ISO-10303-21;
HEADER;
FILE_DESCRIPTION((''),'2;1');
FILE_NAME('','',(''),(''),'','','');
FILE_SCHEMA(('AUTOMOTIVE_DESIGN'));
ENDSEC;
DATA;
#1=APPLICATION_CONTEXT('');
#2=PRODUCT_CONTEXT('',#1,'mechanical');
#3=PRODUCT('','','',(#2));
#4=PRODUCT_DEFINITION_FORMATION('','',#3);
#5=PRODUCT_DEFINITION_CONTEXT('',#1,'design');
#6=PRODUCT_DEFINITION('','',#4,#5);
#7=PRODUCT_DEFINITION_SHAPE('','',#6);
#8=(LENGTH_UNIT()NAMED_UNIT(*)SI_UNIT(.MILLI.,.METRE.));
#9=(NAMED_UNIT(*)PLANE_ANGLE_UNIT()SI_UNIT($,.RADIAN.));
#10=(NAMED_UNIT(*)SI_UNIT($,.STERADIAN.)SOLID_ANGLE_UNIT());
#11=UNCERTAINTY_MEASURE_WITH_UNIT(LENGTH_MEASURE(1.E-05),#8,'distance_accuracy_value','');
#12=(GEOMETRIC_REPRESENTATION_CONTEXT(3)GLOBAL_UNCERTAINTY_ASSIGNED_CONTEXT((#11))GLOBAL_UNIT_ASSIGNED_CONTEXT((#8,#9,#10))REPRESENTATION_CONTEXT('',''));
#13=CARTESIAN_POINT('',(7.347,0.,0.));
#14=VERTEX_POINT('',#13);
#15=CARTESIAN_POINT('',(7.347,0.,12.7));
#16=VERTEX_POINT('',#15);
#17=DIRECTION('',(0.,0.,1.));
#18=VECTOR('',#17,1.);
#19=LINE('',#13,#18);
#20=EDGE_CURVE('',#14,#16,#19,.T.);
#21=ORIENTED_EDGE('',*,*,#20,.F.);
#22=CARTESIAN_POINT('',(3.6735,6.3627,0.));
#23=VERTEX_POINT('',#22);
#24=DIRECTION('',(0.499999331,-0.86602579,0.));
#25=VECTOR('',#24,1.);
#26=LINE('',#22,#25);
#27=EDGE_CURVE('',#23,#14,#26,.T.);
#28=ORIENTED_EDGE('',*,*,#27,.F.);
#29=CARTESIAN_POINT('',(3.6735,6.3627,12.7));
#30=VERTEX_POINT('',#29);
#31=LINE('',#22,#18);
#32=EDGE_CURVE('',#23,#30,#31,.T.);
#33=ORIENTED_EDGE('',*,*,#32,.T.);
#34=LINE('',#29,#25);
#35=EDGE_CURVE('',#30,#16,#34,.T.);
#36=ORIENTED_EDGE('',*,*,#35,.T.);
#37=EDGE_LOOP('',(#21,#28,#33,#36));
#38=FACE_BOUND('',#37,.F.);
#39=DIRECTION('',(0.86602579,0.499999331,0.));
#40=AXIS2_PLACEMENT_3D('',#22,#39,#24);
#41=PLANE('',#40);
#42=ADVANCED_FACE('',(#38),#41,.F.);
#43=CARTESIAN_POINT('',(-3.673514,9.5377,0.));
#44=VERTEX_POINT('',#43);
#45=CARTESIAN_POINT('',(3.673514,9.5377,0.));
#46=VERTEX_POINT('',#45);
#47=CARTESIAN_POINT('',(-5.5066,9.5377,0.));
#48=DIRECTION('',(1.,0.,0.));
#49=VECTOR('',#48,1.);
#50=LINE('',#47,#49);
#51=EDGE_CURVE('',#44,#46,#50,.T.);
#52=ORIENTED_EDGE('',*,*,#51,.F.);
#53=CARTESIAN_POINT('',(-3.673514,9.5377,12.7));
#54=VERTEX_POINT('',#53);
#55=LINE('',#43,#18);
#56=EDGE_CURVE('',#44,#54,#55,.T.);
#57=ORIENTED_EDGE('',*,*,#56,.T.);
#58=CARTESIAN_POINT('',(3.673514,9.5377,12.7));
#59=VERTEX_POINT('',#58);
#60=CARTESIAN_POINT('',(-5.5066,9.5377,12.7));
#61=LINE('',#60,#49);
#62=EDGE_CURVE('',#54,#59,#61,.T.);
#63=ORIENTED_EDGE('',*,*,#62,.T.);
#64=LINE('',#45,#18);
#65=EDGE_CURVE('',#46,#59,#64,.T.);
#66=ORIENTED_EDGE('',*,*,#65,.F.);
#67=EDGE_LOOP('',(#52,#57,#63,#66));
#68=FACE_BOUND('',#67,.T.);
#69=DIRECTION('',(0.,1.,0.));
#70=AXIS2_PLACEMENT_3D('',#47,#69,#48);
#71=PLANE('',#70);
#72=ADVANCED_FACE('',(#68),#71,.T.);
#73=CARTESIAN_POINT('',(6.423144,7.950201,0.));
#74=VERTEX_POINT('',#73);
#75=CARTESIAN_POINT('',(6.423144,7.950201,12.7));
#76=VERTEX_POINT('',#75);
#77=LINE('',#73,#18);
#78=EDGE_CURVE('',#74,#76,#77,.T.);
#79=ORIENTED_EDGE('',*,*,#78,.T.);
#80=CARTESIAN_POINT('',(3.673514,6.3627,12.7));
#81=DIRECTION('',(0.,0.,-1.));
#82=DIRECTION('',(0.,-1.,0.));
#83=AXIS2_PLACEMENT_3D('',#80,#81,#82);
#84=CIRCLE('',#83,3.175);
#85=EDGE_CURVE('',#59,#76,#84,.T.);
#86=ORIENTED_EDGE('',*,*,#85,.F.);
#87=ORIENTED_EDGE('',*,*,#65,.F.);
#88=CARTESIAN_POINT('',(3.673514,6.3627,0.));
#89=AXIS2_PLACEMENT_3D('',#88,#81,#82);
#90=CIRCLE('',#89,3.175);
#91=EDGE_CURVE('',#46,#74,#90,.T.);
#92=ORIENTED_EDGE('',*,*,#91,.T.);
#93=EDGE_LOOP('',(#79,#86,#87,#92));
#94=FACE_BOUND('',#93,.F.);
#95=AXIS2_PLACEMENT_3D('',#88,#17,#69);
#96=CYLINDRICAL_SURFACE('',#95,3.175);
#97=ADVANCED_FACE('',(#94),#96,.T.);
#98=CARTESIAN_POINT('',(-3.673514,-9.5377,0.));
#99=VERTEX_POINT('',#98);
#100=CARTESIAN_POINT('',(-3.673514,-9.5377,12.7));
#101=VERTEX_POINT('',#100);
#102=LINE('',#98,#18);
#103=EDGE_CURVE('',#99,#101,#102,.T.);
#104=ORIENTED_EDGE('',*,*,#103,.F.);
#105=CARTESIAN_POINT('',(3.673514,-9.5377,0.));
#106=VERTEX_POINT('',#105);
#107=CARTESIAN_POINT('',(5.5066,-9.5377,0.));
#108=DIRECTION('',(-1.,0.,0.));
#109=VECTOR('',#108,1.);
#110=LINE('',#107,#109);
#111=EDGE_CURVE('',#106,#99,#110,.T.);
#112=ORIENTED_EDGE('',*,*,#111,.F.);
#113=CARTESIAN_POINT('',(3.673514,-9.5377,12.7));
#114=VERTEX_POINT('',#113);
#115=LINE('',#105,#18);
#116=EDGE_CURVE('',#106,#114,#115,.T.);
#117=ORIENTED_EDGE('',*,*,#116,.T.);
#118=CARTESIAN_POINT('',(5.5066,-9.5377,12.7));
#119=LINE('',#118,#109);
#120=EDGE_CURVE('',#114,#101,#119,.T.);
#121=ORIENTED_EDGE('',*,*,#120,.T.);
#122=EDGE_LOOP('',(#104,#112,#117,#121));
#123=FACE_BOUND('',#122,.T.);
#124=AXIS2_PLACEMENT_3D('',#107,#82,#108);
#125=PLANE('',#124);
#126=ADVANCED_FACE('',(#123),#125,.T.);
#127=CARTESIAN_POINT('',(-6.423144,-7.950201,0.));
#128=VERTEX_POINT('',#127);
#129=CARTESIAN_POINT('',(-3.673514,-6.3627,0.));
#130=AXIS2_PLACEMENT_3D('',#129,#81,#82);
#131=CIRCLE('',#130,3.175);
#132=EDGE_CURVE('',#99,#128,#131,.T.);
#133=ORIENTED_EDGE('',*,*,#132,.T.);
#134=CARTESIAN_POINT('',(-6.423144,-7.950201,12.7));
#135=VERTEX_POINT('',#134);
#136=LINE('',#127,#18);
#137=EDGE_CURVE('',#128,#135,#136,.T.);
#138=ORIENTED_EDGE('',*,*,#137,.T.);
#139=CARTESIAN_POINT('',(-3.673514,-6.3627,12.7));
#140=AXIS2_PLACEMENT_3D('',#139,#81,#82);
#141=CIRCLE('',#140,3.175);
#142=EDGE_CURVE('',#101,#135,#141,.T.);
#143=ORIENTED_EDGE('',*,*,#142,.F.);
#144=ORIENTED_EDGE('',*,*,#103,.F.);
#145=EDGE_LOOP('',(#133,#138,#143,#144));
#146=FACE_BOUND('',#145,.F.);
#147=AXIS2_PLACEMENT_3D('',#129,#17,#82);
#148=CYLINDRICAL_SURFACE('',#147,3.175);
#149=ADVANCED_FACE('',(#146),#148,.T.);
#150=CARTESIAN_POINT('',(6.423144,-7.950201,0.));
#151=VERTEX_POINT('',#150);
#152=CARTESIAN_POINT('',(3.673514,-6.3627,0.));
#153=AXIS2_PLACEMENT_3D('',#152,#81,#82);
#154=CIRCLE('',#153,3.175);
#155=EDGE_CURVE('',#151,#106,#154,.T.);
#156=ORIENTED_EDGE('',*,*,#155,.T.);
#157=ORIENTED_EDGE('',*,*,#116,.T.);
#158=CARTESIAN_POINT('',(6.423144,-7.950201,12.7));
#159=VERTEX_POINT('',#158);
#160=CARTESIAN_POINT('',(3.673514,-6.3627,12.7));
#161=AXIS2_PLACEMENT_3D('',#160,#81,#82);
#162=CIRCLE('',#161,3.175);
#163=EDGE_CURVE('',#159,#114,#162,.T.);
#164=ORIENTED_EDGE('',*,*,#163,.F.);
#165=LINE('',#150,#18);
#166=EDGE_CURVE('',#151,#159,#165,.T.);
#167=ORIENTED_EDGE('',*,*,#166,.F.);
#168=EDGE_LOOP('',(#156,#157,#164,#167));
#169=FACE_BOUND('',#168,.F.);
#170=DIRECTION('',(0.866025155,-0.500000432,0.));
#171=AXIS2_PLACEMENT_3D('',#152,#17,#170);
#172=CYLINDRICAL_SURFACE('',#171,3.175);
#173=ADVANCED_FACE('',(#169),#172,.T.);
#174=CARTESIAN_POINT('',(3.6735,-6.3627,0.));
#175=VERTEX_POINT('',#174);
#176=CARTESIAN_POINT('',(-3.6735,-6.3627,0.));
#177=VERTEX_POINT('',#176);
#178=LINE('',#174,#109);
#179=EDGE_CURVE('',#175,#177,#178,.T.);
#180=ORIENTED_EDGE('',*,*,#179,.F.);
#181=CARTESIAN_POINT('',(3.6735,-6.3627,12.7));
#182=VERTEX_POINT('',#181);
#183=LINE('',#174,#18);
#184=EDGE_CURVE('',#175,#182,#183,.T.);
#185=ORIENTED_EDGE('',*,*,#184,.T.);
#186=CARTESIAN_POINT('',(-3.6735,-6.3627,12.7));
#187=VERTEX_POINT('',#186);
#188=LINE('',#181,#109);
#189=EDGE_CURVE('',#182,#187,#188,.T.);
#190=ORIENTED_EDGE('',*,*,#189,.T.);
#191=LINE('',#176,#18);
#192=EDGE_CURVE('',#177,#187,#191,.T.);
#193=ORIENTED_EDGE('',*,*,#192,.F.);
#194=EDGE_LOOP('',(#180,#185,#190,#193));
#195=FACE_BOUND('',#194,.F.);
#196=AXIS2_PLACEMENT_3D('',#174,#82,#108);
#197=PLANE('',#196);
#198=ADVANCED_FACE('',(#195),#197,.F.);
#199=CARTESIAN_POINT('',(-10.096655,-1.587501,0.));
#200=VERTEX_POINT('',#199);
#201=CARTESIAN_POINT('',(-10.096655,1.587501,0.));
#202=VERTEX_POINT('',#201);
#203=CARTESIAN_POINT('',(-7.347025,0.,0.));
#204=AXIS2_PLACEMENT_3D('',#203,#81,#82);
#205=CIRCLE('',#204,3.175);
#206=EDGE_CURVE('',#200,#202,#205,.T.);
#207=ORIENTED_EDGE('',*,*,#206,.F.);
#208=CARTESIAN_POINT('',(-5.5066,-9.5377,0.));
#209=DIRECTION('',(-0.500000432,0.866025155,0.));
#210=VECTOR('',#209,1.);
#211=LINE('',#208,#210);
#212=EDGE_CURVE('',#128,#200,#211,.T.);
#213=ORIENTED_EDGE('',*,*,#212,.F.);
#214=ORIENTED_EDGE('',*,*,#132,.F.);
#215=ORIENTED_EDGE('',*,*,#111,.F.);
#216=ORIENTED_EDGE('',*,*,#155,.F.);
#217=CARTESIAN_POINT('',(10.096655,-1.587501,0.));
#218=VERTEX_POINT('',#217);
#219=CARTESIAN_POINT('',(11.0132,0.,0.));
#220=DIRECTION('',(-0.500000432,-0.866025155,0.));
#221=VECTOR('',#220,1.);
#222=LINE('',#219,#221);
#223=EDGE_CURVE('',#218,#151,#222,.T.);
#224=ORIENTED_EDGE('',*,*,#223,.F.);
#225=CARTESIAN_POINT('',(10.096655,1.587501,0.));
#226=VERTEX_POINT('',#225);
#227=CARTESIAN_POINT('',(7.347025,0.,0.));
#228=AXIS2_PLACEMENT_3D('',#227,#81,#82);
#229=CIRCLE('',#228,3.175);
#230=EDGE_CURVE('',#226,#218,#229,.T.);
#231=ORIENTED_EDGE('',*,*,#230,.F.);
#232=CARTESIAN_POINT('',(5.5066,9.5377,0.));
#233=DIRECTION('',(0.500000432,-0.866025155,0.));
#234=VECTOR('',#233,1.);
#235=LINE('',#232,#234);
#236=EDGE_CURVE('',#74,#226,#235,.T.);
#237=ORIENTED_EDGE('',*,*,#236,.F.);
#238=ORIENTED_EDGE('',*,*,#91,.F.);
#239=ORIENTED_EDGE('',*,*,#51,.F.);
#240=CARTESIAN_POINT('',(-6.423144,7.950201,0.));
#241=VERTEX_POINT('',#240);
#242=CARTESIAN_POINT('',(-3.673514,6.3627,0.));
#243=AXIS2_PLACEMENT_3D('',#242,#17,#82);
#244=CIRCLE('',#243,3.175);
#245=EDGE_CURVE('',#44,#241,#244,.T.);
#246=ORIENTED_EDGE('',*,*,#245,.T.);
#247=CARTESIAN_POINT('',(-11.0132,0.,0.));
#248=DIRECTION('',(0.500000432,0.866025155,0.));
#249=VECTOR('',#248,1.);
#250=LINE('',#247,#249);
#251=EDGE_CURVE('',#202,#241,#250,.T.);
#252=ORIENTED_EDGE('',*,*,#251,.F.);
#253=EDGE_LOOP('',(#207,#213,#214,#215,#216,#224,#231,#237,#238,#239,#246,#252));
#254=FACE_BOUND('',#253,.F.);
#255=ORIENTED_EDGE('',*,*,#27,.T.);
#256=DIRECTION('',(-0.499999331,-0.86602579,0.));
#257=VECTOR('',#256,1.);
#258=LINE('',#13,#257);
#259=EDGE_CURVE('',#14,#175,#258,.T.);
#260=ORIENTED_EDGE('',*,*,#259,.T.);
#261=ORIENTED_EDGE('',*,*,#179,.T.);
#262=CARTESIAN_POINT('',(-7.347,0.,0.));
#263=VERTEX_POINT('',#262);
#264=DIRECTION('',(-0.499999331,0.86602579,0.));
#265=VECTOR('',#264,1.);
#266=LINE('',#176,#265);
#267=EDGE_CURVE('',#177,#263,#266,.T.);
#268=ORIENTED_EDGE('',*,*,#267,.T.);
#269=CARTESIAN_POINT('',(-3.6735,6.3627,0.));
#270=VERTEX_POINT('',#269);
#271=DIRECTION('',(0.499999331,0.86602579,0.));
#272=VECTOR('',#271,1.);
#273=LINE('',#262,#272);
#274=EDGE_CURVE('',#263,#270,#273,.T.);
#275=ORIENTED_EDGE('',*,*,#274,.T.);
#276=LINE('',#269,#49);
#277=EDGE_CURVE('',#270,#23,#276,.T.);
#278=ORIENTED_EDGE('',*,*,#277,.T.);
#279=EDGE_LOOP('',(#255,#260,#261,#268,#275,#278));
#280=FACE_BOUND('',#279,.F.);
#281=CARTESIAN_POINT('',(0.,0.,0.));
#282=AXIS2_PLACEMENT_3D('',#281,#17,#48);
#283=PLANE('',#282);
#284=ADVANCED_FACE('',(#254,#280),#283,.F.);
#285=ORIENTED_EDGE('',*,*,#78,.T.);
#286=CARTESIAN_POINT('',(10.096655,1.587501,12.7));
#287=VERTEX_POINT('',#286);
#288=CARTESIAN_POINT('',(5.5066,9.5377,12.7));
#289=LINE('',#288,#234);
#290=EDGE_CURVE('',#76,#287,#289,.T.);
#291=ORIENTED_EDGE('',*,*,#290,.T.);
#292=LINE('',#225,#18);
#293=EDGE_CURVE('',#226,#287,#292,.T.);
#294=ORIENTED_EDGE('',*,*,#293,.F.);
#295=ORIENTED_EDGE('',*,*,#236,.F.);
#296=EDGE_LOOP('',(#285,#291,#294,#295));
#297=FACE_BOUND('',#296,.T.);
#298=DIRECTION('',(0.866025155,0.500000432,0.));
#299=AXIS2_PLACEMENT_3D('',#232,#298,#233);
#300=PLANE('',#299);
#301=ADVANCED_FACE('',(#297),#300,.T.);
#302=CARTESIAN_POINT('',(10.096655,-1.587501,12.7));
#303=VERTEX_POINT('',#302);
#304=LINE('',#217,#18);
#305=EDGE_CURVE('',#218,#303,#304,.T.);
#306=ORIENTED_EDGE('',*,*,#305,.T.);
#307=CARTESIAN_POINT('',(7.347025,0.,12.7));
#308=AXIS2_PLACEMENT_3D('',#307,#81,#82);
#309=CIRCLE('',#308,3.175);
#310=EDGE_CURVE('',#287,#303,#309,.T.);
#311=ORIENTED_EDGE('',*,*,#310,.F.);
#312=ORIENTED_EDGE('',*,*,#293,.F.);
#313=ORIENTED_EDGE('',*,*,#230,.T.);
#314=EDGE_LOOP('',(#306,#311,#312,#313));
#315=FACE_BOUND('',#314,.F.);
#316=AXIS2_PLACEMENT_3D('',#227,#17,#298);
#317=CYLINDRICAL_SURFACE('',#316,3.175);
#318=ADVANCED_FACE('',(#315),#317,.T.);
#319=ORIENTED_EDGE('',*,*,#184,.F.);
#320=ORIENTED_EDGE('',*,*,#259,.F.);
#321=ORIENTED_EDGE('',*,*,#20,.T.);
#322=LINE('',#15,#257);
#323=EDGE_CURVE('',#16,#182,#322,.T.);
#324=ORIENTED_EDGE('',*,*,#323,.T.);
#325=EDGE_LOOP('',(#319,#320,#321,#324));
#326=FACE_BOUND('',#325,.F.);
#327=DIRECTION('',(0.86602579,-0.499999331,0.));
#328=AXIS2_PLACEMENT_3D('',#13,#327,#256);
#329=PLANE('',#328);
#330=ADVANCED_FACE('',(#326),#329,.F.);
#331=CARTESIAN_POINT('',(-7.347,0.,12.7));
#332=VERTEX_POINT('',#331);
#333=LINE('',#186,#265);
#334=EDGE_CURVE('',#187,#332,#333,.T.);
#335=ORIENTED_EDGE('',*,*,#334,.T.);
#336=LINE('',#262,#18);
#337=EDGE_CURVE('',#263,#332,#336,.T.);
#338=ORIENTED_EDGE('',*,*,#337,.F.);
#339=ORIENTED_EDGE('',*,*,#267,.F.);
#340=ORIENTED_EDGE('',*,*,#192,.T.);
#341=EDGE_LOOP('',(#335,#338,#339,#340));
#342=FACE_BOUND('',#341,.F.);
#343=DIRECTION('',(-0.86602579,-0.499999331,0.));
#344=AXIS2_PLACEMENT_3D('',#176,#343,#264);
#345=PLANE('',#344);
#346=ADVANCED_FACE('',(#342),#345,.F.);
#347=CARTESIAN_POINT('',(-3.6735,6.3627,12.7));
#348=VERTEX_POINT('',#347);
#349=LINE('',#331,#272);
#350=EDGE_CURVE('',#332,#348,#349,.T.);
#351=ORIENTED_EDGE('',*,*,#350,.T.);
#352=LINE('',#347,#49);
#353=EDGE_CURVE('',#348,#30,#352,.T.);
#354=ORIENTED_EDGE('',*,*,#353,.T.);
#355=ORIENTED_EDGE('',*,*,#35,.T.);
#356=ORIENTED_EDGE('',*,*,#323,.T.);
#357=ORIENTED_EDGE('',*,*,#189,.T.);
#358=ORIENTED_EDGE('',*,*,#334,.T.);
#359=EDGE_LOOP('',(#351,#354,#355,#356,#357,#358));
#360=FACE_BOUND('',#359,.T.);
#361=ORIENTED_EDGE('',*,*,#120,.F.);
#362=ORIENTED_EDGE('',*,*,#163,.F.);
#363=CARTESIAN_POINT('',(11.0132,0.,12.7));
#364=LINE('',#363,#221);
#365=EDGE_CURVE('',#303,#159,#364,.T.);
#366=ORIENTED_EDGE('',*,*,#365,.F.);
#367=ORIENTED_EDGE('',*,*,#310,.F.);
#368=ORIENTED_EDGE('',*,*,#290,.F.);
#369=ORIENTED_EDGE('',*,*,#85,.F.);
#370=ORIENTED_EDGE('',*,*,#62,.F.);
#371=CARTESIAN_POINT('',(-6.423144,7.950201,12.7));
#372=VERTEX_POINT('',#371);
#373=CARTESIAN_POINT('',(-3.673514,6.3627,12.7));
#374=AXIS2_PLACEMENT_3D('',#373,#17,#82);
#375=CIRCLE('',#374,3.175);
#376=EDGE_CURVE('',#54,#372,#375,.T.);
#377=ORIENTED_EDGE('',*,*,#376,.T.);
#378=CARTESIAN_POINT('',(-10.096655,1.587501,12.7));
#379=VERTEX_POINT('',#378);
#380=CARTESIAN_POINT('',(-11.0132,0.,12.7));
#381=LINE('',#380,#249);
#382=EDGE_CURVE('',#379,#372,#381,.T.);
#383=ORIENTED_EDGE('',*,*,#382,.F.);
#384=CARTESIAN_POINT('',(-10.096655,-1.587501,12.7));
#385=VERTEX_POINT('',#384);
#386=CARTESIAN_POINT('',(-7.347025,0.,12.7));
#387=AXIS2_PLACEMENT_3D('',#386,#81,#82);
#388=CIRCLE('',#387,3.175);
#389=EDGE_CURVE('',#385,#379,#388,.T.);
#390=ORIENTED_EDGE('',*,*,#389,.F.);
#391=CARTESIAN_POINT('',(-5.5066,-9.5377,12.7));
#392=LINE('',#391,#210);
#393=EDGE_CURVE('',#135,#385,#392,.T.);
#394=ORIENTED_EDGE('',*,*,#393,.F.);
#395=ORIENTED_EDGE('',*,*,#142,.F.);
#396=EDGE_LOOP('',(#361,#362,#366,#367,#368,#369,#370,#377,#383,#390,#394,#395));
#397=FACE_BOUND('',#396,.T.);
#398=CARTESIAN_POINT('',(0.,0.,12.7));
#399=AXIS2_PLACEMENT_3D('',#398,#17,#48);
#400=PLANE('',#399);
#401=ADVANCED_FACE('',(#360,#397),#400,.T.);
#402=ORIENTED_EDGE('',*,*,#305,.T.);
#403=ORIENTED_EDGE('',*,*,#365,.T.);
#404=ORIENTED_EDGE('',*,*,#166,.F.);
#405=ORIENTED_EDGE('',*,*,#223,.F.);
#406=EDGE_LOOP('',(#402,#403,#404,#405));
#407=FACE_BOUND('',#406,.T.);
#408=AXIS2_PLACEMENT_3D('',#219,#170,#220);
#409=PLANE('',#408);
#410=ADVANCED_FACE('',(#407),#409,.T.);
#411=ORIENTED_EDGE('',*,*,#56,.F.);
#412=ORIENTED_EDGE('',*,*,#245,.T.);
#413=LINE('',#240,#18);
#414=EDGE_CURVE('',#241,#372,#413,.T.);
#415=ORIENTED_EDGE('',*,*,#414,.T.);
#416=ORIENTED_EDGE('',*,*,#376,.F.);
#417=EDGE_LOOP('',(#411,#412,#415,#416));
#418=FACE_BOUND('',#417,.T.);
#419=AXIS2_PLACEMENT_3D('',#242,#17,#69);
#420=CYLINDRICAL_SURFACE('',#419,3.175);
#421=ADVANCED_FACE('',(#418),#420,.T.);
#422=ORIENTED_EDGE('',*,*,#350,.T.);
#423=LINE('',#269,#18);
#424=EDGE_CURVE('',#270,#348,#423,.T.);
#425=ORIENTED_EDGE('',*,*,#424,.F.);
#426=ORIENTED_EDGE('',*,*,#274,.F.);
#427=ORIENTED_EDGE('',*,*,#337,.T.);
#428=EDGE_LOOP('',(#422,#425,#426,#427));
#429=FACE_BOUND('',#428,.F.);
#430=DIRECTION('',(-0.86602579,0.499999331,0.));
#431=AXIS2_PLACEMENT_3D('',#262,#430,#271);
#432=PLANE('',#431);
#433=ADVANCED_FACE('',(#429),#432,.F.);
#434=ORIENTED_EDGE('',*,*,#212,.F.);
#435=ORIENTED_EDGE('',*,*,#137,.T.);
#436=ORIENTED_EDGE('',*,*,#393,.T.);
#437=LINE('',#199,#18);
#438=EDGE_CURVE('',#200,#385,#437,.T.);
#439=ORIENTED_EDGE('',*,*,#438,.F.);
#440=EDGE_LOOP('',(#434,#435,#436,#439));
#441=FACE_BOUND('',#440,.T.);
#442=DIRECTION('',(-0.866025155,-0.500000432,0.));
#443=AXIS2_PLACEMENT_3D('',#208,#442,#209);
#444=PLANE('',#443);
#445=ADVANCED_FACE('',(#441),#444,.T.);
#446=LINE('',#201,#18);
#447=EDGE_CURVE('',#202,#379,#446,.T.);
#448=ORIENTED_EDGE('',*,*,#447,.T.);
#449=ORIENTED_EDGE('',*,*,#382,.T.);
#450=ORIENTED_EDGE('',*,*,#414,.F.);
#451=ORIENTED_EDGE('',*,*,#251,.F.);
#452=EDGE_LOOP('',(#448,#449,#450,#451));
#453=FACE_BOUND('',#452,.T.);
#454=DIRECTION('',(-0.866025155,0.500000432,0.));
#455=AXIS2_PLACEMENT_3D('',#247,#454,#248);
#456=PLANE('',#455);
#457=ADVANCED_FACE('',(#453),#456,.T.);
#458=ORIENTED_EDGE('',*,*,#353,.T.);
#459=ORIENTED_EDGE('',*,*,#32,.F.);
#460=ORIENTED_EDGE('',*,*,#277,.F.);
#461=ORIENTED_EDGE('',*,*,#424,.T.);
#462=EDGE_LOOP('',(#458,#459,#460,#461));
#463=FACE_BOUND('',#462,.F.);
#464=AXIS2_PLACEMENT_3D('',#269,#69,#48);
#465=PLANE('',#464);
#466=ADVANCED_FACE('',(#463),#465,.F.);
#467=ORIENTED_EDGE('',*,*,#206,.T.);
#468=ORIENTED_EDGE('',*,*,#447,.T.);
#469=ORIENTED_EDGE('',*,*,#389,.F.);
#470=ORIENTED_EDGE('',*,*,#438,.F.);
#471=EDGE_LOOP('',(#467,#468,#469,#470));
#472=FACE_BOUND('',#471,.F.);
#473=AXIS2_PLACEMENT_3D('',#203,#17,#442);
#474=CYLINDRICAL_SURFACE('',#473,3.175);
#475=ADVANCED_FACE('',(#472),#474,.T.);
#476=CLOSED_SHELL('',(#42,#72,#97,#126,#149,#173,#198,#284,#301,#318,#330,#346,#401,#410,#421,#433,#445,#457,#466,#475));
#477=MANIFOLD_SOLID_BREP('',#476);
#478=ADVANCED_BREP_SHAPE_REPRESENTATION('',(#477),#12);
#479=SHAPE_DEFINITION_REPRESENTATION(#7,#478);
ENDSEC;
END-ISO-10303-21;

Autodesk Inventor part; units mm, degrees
ref_plane "YZ Plane" through (0, 0, 0) normal (1, 0, 0) x (0, 1, 0)
ref_plane "XZ Plane" through (0, 0, 0) normal (0, 1, 0) x (-1, 0, 0)
ref_plane "XY Plane" through (0, 0, 0) normal (0, 0, 1) x (1, 0, 0)
sketch "Sketch1" plane through (0, 0, 0) normal (0, 0, 1) x (1, 0, 0)
  line L0 (-3.6735, 6.3627) -> (3.6735, 6.3627)
  line L1 (3.6735, 6.3627) -> (7.347, 0)
  line L2 (7.347, 0) -> (3.6735, -6.3627)
  line L3 (3.6735, -6.3627) -> (-3.6735, -6.3627)
  line L4 (-3.6735, -6.3627) -> (-7.347, 0)
  line L5 (-7.347, 0) -> (-3.6735, 6.3627)
  line L6 (-15.4185, 0) -> (15.4185, 0) construction
  line L7 (-5.5066, 9.5377) -> (5.5066, 9.5377)
  line L8 (5.5066, 9.5377) -> (11.0132, 0)
  line L9 (11.0132, 0) -> (5.5066, -9.5377)
  line L10 (5.5066, -9.5377) -> (-5.5066, -9.5377)
  line L11 (-5.5066, -9.5377) -> (-11.0132, 0)
  line L12 (-11.0132, 0) -> (-5.5066, 9.5377)
  point P0 (0, 0)
  point P1 (0, 0)
  point P2 (0, 0)
  dimension "d0" = 12.7254
  dimension "d1" = 3.175
extrude "Extrusion1" add sketch "Sketch1" along normal blind 12.7
fillet "Fillet1" radius 3.175 6 edges at (5.5066, -9.5377, 6.35) (-5.5066, -9.5377, 6.35) (11.0132, 0, 6.35) (-11.0132, 0, 6.35) (-5.5066, 9.5377, 6.35) (5.5066, 9.5377, 6.35)
properties part number "1-2in_spacer"
